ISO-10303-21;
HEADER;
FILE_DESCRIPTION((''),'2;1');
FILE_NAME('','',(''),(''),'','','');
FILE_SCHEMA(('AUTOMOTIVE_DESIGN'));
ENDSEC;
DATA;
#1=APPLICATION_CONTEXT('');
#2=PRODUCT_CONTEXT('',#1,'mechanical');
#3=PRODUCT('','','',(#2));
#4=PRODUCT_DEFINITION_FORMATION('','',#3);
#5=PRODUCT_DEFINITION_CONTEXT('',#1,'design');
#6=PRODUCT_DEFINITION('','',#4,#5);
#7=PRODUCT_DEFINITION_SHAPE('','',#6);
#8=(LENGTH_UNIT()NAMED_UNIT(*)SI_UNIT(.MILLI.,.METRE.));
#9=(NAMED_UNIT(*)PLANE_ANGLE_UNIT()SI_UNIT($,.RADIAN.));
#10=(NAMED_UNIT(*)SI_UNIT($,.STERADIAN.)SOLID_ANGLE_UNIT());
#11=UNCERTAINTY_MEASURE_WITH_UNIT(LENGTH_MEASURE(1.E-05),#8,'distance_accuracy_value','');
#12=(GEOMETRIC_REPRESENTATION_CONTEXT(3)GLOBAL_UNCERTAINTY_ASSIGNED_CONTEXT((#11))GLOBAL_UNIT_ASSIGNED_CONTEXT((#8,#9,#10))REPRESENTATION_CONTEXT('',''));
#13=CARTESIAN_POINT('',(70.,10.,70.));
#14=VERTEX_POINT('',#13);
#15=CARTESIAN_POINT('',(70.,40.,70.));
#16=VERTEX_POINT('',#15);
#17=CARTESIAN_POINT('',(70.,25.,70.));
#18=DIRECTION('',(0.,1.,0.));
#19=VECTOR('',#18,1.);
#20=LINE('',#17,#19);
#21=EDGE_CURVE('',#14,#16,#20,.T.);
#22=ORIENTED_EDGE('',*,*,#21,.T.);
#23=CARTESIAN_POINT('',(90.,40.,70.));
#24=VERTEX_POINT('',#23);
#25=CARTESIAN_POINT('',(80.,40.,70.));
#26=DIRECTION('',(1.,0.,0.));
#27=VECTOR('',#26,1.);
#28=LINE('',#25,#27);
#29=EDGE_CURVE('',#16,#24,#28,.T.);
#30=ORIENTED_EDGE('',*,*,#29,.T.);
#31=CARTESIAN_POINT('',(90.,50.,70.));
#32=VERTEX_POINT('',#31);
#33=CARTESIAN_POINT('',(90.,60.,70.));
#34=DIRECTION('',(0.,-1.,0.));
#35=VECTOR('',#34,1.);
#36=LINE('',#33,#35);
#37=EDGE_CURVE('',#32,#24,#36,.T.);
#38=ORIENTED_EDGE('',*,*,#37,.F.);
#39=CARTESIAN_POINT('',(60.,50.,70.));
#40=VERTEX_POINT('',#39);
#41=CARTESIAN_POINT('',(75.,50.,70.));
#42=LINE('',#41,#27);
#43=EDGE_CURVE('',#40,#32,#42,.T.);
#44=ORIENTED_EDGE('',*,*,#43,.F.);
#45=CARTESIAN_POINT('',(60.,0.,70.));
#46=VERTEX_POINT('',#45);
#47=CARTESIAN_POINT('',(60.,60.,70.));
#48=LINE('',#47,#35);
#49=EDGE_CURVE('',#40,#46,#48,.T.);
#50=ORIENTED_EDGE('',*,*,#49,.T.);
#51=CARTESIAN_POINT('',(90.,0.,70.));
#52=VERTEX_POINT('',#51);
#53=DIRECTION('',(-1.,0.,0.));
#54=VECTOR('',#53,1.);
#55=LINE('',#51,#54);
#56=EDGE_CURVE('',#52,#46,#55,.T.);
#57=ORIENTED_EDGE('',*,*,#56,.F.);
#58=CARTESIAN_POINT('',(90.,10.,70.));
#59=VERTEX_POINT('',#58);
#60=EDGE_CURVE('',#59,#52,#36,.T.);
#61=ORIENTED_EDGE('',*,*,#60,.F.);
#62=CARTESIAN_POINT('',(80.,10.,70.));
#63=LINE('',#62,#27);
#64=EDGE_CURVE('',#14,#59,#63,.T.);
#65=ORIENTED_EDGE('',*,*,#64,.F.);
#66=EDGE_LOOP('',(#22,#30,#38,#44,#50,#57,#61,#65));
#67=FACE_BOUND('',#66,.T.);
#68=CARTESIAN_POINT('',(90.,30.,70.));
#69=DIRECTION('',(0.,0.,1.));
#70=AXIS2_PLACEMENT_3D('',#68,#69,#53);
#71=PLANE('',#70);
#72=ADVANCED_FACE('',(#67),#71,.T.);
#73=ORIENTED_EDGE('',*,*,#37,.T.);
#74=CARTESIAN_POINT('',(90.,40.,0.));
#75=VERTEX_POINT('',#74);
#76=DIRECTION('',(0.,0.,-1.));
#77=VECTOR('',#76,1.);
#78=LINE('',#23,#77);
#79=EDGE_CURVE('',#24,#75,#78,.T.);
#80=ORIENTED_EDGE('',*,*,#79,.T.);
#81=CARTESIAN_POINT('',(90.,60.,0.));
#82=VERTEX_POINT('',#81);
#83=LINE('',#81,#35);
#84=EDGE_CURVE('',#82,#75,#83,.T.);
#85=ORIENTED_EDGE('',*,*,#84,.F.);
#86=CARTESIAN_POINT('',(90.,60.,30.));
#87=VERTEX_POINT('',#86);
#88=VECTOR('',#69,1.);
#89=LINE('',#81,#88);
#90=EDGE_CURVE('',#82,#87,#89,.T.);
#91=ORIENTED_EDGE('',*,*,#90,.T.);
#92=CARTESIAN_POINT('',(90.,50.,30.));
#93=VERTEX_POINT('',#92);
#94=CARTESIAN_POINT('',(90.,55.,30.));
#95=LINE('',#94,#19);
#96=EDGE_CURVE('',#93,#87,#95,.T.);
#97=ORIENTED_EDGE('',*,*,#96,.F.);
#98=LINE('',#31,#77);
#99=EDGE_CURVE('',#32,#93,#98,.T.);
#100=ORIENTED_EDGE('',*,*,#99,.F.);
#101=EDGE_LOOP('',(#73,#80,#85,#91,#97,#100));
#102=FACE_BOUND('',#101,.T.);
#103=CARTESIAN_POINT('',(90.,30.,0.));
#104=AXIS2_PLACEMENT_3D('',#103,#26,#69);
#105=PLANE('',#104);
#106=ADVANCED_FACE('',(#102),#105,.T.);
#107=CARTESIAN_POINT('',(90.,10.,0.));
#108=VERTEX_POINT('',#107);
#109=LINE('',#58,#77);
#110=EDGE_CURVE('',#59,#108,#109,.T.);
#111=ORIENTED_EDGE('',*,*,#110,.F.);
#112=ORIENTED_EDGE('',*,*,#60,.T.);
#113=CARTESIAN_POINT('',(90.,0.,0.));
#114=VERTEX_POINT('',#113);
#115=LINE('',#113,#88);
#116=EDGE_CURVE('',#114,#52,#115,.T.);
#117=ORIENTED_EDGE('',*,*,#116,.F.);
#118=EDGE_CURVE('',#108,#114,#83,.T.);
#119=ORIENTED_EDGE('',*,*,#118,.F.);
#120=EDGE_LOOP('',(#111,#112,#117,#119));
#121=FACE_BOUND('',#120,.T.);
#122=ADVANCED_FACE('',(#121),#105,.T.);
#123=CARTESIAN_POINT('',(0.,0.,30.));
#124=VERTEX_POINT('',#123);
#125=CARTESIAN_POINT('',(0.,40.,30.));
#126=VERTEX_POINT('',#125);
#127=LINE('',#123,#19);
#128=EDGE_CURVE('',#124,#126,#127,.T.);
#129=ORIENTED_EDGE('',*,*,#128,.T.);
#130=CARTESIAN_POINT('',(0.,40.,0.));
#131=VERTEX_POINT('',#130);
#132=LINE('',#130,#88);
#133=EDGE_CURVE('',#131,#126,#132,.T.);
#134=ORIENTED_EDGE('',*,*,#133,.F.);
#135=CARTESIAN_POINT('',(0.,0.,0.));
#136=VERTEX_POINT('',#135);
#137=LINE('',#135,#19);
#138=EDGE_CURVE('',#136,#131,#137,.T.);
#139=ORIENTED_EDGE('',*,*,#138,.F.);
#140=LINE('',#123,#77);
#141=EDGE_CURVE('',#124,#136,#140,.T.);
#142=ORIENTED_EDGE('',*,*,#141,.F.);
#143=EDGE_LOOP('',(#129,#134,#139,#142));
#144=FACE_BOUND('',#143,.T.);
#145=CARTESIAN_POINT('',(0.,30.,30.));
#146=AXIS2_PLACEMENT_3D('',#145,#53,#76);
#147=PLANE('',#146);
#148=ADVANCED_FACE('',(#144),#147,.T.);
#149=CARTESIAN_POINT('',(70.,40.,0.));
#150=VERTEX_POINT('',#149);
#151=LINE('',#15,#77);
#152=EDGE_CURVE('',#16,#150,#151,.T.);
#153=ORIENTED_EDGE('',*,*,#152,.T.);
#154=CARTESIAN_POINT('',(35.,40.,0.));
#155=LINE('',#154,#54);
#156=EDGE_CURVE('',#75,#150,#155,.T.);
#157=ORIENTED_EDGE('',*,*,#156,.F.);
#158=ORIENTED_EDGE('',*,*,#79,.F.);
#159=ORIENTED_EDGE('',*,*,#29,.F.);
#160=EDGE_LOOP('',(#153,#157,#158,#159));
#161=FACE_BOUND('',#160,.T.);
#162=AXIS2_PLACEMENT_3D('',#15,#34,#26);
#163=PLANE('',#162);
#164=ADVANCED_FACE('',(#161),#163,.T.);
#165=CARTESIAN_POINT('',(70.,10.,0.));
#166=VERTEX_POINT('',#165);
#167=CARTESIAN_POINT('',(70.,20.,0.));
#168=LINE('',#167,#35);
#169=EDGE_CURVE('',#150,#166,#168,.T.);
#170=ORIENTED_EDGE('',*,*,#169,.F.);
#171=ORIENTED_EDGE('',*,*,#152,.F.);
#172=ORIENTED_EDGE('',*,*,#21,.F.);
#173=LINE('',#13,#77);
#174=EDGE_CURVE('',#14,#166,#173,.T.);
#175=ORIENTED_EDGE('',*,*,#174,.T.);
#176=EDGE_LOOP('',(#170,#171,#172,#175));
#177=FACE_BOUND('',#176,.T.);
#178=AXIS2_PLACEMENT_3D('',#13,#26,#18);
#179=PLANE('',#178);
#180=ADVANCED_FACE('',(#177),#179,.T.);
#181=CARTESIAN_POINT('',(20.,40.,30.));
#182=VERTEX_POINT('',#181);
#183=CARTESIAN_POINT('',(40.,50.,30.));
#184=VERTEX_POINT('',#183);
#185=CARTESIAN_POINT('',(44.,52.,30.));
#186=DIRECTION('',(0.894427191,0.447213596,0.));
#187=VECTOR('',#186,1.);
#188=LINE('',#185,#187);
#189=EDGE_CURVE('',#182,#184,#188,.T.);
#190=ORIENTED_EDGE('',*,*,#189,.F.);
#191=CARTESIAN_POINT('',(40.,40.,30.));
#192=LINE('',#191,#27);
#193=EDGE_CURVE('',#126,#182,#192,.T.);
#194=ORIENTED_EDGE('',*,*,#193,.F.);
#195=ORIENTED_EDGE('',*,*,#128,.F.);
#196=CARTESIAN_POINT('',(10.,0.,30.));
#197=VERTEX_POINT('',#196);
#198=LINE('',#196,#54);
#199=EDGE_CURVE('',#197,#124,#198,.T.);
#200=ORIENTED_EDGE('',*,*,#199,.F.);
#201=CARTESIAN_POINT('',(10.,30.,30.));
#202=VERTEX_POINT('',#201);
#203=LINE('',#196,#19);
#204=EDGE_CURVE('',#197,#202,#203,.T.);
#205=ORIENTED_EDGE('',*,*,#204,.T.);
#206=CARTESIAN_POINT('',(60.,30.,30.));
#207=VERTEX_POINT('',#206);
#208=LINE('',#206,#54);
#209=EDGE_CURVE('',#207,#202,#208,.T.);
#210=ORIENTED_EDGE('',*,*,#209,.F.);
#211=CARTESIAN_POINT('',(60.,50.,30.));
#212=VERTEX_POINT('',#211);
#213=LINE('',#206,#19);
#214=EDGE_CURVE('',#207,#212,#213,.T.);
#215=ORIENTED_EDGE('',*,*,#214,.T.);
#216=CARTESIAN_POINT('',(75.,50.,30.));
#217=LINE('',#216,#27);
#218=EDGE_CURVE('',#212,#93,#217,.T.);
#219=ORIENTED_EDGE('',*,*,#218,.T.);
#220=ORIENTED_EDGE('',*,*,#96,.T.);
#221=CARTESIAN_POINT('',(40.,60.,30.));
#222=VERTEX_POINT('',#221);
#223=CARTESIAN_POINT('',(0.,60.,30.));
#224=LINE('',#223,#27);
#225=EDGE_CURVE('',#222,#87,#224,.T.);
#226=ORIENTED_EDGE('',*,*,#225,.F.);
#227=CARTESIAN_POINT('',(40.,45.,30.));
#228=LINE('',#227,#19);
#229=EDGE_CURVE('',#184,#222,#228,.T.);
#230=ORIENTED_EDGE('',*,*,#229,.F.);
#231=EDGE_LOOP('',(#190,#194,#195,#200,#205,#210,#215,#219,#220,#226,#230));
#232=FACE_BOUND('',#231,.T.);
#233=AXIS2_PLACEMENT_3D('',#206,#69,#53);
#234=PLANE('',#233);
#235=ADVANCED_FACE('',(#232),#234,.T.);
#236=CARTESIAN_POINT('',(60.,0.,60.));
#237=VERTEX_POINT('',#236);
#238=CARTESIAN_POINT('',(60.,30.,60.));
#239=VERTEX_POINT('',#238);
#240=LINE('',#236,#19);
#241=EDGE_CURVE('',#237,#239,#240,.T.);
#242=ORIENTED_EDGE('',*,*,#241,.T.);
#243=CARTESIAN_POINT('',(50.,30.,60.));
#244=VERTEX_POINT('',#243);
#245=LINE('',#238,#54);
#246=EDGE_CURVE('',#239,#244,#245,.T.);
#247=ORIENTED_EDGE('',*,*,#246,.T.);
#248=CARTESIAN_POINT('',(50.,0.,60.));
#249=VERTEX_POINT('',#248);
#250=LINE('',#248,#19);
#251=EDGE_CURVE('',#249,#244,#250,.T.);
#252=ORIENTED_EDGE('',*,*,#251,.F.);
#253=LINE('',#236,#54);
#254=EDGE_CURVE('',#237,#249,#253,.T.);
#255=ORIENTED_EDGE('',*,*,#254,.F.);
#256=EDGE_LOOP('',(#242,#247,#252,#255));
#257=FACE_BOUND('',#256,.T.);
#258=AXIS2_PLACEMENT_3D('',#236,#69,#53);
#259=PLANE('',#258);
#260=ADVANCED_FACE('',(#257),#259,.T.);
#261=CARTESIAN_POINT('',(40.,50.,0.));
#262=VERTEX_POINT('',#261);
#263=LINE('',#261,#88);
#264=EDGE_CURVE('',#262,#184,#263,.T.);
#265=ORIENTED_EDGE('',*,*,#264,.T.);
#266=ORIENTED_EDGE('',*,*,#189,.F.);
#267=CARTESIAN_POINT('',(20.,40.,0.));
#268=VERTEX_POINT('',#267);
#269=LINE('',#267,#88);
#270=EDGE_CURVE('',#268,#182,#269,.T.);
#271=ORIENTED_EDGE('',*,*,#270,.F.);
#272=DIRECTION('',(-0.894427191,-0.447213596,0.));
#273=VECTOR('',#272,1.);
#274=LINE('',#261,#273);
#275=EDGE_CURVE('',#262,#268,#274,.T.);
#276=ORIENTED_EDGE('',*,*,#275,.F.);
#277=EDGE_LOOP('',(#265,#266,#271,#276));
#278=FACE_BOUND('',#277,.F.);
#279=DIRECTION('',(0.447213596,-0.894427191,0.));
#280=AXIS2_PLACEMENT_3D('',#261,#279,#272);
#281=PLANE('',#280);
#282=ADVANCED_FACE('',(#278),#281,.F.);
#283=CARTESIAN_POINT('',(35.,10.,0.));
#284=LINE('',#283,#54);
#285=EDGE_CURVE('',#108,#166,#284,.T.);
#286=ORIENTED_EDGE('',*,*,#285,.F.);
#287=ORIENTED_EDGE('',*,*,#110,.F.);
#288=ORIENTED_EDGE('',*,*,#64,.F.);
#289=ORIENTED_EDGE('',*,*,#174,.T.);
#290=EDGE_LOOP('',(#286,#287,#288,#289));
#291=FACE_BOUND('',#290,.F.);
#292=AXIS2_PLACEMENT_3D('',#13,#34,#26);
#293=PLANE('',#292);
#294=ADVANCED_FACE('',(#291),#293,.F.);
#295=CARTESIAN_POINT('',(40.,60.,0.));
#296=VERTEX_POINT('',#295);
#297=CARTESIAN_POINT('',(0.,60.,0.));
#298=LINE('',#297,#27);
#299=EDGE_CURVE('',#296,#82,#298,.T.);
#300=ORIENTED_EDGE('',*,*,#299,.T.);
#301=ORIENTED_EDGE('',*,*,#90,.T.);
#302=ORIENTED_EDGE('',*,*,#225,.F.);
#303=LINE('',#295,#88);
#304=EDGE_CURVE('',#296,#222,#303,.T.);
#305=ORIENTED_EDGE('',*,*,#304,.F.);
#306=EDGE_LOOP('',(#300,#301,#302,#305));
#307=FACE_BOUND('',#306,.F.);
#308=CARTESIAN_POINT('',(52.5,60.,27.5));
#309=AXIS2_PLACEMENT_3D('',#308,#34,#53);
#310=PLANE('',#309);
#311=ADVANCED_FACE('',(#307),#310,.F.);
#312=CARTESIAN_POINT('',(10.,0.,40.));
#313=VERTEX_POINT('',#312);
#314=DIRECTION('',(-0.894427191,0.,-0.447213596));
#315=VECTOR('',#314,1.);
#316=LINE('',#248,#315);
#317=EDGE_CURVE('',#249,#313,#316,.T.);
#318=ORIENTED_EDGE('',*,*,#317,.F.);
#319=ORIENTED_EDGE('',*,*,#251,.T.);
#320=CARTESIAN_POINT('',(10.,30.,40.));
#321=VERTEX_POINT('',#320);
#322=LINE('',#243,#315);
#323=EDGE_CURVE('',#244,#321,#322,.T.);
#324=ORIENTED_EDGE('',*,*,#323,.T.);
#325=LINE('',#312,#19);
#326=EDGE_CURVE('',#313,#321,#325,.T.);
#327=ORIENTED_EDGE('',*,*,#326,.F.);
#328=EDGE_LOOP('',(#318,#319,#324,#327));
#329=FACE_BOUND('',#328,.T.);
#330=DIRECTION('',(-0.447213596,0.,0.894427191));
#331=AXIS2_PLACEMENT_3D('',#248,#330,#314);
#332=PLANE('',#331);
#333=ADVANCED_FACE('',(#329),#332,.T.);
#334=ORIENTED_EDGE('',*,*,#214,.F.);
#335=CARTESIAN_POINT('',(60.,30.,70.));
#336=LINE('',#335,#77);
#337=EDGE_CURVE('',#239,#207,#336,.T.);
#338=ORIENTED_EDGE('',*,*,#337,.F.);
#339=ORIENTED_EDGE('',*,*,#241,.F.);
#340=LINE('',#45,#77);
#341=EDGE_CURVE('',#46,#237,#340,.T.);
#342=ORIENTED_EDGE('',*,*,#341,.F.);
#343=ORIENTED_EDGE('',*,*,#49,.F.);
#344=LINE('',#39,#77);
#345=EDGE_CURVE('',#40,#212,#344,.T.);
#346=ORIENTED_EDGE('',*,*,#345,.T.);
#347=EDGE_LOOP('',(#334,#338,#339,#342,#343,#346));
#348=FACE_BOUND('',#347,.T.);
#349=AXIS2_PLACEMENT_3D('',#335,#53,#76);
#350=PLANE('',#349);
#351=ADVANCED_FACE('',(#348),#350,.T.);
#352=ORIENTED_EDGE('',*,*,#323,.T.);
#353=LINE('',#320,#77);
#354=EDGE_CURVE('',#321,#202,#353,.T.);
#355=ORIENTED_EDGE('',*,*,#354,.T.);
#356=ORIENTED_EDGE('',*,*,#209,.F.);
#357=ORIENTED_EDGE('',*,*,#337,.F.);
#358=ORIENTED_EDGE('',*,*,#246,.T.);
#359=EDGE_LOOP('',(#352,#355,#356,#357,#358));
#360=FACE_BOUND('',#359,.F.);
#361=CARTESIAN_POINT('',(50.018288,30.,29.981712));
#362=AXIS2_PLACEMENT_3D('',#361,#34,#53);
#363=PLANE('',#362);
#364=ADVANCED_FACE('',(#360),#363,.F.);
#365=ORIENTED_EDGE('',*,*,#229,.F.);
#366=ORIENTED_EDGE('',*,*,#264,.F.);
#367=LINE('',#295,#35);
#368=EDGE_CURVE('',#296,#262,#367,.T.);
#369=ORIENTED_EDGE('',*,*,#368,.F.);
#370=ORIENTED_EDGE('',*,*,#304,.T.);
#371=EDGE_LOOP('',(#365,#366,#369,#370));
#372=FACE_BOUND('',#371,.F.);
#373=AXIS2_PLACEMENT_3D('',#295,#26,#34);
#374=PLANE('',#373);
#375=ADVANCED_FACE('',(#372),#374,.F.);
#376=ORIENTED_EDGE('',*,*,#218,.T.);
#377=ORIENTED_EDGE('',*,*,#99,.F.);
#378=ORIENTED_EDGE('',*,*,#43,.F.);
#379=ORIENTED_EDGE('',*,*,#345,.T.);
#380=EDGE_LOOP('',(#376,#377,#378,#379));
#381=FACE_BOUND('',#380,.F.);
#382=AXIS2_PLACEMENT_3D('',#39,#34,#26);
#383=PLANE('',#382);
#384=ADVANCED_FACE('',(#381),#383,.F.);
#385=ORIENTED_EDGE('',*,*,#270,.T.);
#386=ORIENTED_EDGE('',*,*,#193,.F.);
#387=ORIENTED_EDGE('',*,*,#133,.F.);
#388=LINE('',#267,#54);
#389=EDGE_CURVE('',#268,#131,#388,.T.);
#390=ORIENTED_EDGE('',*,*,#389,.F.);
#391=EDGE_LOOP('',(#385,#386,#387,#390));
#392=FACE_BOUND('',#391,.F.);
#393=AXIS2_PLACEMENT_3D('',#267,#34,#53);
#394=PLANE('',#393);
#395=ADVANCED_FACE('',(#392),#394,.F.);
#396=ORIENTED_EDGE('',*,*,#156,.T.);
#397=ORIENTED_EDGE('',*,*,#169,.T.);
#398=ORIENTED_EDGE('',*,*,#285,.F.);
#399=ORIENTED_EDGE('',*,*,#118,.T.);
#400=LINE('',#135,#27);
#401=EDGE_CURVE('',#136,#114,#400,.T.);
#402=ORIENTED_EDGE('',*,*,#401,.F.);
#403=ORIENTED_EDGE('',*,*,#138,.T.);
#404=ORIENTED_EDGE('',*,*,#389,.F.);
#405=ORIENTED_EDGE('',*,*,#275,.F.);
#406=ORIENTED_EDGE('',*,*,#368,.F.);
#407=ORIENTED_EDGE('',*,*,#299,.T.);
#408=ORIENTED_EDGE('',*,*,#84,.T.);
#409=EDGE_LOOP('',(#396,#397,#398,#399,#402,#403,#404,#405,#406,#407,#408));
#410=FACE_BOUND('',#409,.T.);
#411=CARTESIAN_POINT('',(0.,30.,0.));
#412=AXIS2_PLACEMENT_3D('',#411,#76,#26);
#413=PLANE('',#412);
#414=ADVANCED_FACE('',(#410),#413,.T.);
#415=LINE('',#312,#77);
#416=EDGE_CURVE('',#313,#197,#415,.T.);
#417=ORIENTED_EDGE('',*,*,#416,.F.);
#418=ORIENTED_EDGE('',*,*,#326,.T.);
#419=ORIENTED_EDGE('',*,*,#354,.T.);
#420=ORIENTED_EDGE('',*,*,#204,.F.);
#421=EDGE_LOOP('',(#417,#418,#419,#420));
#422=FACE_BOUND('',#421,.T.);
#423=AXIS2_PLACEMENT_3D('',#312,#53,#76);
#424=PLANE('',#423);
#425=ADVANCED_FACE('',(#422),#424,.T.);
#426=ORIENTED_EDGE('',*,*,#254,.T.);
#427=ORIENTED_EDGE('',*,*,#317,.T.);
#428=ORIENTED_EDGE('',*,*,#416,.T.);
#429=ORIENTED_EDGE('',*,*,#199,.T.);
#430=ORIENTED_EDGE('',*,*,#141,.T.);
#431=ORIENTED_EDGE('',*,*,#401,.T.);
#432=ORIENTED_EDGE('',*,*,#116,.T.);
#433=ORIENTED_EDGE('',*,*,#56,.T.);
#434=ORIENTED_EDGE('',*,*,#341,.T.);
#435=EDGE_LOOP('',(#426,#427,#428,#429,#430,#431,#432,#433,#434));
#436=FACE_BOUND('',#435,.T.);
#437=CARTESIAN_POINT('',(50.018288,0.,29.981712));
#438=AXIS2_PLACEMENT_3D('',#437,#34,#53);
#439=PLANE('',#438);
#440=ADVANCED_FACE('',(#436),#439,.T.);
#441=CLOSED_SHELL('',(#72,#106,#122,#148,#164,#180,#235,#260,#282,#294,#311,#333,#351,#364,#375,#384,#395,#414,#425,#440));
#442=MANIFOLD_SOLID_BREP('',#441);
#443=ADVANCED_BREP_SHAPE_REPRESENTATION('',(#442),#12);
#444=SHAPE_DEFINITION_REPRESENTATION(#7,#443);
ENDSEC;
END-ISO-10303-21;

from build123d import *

# Parameters (mm, degrees)
BOSS_EXTRUDE1_DEPTH = 30
BOSS_EXTRUDE2_DEPTH = 30
SKETCH5_W           = 20
SKETCH5_H           = 30
CUT_EXTRUDE1_DEPTH  = 71
SKETCH6_W           = 30
SKETCH6_H           = 10
CUT_EXTRUDE2_DEPTH  = 40
CUT_EXTRUDE3_DEPTH  = 71


with BuildPart() as part:
    # Sketch1 → Boss-Extrude1 (new body)
    with BuildSketch(Plane(origin=(0, 0, 0), x_dir=(1, 0, 0), z_dir=(0, 1, 0))):
        Polygon((0, 0), (90, 0), (90, -70), (60, -70), (60, -60), (50, -60), (10, -40), (10, -30), (0, -30), align=None)
    extrude(amount=BOSS_EXTRUDE1_DEPTH)

    # Sketch3 → Boss-Extrude2 (add)
    with BuildSketch(Plane(origin=(0, 30, 0), x_dir=(1, 0, 0), z_dir=(0, 1, 0))):
        Polygon((0, 0), (90, 0), (90, -70), (60, -70), (60, -30), (0, -30), align=None)
    extrude(amount=BOSS_EXTRUDE2_DEPTH)

    # Sketch5 → Cut-Extrude1 (cut, through all)
    with BuildSketch(Plane.XY.offset(70)):
        with Locations((80, 25)):
            Rectangle(SKETCH5_W, SKETCH5_H)
    extrude(amount=-CUT_EXTRUDE1_DEPTH, mode=Mode.SUBTRACT)

    # Sketch6 → Cut-Extrude2 (cut)
    with BuildSketch(Plane.XY.offset(70)):
        with Locations((75, 55)):
            Rectangle(SKETCH6_W, SKETCH6_H)
    extrude(amount=-CUT_EXTRUDE2_DEPTH, mode=Mode.SUBTRACT)

    # Sketch7 → Cut-Extrude3 (cut, through all)
    with BuildSketch(Plane(origin=(0, 0, 0), x_dir=(-1, 0, 0), z_dir=(0, 0, -1))):
        Polygon((-40, 60), (-40, 50), (-20, 40), (0, 40), (0, 60), align=None)
    extrude(amount=-CUT_EXTRUDE3_DEPTH, mode=Mode.SUBTRACT)


solid = part.part
